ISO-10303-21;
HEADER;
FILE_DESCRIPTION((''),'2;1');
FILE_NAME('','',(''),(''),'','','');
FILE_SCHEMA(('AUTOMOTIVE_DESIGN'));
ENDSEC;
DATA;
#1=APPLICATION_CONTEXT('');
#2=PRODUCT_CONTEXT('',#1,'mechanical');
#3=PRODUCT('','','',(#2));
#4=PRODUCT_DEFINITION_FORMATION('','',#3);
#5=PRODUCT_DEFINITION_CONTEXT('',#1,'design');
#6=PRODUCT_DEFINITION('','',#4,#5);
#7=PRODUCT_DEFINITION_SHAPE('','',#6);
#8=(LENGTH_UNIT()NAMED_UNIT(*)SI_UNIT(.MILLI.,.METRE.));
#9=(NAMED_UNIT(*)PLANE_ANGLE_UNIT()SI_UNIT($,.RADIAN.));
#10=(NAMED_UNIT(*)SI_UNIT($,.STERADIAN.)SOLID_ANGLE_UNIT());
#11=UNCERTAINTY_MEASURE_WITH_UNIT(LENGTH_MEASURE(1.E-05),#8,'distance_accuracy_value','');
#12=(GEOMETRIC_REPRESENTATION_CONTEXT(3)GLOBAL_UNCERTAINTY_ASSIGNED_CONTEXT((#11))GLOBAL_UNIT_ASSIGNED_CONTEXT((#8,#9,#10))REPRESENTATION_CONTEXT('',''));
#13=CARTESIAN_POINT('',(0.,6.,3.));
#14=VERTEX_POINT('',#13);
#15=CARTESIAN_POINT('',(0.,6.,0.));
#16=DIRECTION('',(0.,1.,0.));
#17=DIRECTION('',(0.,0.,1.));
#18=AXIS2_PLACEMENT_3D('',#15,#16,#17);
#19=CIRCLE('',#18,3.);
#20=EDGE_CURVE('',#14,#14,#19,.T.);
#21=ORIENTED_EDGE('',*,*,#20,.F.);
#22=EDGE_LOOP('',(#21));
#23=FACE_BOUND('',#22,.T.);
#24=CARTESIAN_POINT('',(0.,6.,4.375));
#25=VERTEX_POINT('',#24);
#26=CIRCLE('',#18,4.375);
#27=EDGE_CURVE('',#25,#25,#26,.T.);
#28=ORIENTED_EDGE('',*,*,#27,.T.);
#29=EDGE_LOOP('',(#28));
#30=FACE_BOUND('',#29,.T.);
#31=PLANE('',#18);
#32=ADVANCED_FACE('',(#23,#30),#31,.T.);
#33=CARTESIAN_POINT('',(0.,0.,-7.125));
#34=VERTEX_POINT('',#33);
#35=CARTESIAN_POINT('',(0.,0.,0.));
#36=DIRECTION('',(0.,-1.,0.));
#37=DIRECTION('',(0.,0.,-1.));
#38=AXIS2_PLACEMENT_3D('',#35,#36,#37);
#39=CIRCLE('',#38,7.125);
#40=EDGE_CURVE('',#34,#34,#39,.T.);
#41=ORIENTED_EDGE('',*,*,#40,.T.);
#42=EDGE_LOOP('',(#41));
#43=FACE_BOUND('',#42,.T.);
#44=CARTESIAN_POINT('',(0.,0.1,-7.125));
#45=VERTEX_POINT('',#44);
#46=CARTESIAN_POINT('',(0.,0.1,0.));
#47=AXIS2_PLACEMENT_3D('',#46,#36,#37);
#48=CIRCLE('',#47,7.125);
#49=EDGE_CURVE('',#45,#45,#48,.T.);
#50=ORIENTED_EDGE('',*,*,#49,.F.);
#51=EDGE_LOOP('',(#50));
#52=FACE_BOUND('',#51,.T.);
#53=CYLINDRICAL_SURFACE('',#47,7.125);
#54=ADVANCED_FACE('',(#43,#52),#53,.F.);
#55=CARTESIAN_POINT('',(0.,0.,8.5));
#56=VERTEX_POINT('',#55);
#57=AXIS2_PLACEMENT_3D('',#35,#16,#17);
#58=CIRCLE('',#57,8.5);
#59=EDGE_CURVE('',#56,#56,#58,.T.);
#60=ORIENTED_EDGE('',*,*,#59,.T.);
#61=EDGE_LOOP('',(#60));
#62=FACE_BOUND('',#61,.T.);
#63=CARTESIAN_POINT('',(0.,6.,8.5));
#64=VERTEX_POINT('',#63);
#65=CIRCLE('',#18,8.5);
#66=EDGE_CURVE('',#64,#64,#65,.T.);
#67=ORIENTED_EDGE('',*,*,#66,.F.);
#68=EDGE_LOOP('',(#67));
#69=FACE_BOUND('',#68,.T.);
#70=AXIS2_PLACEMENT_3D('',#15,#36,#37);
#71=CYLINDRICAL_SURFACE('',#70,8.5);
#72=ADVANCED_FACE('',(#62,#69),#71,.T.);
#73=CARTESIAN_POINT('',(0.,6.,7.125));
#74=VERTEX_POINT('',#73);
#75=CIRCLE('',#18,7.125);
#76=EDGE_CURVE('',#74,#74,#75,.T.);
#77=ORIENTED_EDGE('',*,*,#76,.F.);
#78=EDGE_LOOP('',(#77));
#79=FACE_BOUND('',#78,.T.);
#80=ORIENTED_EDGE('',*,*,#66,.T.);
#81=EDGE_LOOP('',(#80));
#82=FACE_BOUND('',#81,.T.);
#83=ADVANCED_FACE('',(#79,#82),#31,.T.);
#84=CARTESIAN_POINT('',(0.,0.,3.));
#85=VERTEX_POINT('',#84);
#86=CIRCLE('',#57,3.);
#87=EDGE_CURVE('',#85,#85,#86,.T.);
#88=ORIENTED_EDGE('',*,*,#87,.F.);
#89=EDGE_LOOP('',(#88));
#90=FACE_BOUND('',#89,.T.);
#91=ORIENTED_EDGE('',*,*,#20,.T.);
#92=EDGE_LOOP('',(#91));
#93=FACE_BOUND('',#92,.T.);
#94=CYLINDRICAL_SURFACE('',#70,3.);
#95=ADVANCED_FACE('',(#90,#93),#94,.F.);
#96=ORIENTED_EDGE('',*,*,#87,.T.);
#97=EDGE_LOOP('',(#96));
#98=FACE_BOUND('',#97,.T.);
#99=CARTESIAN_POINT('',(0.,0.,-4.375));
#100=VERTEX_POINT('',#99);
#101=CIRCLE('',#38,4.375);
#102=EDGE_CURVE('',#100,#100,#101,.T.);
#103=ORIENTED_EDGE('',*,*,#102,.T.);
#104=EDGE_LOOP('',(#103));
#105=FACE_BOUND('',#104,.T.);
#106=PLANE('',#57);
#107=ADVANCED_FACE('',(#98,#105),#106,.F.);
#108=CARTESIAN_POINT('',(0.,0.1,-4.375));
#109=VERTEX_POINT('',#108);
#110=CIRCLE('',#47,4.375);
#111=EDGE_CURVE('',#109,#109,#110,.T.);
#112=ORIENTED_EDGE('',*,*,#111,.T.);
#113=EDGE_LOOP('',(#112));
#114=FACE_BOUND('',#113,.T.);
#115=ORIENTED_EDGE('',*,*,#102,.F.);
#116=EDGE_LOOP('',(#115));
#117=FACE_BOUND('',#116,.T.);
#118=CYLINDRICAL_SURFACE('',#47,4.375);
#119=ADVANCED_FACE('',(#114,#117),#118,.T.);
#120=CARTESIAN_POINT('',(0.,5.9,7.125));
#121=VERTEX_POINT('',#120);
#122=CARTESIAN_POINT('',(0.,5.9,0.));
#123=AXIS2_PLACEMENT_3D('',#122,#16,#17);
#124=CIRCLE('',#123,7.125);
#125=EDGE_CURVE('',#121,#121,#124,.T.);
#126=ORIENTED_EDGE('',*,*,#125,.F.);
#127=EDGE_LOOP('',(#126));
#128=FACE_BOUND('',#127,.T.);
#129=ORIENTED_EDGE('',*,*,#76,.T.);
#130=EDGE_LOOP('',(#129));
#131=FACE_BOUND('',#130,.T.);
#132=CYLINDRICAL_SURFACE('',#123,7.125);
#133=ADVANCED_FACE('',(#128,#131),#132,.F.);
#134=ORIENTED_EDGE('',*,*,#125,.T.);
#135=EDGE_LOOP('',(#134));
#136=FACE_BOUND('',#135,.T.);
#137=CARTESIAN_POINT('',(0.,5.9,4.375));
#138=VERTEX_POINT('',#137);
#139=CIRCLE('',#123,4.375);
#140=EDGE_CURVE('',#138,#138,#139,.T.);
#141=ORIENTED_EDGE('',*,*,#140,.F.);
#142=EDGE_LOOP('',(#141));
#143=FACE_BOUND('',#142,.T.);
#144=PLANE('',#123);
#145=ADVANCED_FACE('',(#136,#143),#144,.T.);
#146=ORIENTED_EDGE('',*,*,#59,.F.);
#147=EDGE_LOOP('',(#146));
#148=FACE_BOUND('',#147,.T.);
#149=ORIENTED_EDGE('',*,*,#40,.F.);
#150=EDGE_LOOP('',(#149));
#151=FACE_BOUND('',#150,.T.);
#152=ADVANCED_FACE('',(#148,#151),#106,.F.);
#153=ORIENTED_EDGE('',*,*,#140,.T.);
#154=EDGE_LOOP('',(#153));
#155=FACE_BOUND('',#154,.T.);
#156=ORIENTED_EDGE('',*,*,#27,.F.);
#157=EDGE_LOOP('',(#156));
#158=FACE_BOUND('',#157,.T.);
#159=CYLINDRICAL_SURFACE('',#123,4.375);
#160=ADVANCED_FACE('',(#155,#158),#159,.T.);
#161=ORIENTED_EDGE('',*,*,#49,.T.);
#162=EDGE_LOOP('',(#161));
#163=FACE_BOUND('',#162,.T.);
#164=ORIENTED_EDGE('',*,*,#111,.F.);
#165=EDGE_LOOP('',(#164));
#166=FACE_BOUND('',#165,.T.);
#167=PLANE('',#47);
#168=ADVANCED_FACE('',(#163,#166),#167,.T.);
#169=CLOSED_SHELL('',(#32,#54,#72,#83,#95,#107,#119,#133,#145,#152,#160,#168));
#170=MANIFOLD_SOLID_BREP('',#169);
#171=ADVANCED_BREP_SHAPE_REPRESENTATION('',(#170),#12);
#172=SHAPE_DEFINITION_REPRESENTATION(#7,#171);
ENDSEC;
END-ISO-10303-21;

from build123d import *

# Parameters (mm, degrees)
SKETCH1_R      = 8.5
SKETCH1_R_2    = 3
EXTRUDE1_DEPTH = 6
SKETCH2_R      = 7.125
SKETCH2_R_2    = 4.375
EXTRUDE2_DEPTH = 0.1
EXTRUDE3_START = -0.1
SKETCH3_R      = 7.125
SKETCH3_R_2    = 4.375
EXTRUDE3_DEPTH = 0.1


with BuildPart() as part:
    # Sketch1 → Extrude1 (new body)
    with BuildSketch(Plane(origin=(0, 0, 0), x_dir=(1, 0, 0), z_dir=(0, 1, 0))):
        Circle(SKETCH1_R)
        Circle(SKETCH1_R_2, mode=Mode.SUBTRACT)
    extrude(amount=EXTRUDE1_DEPTH)

    # Sketch2 → Extrude2 (cut)
    with BuildSketch(Plane(origin=(0, 6, 0), x_dir=(1, 0, 0), z_dir=(0, 1, 0))):
        Circle(SKETCH2_R)
        Circle(SKETCH2_R_2, mode=Mode.SUBTRACT)
    extrude(amount=-EXTRUDE2_DEPTH, mode=Mode.SUBTRACT)

    # Sketch3 → Extrude3 (cut)
    with BuildSketch(Plane.XZ.offset(EXTRUDE3_START)):
        Circle(SKETCH3_R)
        Circle(SKETCH3_R_2, mode=Mode.SUBTRACT)
    extrude(amount=EXTRUDE3_DEPTH, mode=Mode.SUBTRACT)


solid = part.part
